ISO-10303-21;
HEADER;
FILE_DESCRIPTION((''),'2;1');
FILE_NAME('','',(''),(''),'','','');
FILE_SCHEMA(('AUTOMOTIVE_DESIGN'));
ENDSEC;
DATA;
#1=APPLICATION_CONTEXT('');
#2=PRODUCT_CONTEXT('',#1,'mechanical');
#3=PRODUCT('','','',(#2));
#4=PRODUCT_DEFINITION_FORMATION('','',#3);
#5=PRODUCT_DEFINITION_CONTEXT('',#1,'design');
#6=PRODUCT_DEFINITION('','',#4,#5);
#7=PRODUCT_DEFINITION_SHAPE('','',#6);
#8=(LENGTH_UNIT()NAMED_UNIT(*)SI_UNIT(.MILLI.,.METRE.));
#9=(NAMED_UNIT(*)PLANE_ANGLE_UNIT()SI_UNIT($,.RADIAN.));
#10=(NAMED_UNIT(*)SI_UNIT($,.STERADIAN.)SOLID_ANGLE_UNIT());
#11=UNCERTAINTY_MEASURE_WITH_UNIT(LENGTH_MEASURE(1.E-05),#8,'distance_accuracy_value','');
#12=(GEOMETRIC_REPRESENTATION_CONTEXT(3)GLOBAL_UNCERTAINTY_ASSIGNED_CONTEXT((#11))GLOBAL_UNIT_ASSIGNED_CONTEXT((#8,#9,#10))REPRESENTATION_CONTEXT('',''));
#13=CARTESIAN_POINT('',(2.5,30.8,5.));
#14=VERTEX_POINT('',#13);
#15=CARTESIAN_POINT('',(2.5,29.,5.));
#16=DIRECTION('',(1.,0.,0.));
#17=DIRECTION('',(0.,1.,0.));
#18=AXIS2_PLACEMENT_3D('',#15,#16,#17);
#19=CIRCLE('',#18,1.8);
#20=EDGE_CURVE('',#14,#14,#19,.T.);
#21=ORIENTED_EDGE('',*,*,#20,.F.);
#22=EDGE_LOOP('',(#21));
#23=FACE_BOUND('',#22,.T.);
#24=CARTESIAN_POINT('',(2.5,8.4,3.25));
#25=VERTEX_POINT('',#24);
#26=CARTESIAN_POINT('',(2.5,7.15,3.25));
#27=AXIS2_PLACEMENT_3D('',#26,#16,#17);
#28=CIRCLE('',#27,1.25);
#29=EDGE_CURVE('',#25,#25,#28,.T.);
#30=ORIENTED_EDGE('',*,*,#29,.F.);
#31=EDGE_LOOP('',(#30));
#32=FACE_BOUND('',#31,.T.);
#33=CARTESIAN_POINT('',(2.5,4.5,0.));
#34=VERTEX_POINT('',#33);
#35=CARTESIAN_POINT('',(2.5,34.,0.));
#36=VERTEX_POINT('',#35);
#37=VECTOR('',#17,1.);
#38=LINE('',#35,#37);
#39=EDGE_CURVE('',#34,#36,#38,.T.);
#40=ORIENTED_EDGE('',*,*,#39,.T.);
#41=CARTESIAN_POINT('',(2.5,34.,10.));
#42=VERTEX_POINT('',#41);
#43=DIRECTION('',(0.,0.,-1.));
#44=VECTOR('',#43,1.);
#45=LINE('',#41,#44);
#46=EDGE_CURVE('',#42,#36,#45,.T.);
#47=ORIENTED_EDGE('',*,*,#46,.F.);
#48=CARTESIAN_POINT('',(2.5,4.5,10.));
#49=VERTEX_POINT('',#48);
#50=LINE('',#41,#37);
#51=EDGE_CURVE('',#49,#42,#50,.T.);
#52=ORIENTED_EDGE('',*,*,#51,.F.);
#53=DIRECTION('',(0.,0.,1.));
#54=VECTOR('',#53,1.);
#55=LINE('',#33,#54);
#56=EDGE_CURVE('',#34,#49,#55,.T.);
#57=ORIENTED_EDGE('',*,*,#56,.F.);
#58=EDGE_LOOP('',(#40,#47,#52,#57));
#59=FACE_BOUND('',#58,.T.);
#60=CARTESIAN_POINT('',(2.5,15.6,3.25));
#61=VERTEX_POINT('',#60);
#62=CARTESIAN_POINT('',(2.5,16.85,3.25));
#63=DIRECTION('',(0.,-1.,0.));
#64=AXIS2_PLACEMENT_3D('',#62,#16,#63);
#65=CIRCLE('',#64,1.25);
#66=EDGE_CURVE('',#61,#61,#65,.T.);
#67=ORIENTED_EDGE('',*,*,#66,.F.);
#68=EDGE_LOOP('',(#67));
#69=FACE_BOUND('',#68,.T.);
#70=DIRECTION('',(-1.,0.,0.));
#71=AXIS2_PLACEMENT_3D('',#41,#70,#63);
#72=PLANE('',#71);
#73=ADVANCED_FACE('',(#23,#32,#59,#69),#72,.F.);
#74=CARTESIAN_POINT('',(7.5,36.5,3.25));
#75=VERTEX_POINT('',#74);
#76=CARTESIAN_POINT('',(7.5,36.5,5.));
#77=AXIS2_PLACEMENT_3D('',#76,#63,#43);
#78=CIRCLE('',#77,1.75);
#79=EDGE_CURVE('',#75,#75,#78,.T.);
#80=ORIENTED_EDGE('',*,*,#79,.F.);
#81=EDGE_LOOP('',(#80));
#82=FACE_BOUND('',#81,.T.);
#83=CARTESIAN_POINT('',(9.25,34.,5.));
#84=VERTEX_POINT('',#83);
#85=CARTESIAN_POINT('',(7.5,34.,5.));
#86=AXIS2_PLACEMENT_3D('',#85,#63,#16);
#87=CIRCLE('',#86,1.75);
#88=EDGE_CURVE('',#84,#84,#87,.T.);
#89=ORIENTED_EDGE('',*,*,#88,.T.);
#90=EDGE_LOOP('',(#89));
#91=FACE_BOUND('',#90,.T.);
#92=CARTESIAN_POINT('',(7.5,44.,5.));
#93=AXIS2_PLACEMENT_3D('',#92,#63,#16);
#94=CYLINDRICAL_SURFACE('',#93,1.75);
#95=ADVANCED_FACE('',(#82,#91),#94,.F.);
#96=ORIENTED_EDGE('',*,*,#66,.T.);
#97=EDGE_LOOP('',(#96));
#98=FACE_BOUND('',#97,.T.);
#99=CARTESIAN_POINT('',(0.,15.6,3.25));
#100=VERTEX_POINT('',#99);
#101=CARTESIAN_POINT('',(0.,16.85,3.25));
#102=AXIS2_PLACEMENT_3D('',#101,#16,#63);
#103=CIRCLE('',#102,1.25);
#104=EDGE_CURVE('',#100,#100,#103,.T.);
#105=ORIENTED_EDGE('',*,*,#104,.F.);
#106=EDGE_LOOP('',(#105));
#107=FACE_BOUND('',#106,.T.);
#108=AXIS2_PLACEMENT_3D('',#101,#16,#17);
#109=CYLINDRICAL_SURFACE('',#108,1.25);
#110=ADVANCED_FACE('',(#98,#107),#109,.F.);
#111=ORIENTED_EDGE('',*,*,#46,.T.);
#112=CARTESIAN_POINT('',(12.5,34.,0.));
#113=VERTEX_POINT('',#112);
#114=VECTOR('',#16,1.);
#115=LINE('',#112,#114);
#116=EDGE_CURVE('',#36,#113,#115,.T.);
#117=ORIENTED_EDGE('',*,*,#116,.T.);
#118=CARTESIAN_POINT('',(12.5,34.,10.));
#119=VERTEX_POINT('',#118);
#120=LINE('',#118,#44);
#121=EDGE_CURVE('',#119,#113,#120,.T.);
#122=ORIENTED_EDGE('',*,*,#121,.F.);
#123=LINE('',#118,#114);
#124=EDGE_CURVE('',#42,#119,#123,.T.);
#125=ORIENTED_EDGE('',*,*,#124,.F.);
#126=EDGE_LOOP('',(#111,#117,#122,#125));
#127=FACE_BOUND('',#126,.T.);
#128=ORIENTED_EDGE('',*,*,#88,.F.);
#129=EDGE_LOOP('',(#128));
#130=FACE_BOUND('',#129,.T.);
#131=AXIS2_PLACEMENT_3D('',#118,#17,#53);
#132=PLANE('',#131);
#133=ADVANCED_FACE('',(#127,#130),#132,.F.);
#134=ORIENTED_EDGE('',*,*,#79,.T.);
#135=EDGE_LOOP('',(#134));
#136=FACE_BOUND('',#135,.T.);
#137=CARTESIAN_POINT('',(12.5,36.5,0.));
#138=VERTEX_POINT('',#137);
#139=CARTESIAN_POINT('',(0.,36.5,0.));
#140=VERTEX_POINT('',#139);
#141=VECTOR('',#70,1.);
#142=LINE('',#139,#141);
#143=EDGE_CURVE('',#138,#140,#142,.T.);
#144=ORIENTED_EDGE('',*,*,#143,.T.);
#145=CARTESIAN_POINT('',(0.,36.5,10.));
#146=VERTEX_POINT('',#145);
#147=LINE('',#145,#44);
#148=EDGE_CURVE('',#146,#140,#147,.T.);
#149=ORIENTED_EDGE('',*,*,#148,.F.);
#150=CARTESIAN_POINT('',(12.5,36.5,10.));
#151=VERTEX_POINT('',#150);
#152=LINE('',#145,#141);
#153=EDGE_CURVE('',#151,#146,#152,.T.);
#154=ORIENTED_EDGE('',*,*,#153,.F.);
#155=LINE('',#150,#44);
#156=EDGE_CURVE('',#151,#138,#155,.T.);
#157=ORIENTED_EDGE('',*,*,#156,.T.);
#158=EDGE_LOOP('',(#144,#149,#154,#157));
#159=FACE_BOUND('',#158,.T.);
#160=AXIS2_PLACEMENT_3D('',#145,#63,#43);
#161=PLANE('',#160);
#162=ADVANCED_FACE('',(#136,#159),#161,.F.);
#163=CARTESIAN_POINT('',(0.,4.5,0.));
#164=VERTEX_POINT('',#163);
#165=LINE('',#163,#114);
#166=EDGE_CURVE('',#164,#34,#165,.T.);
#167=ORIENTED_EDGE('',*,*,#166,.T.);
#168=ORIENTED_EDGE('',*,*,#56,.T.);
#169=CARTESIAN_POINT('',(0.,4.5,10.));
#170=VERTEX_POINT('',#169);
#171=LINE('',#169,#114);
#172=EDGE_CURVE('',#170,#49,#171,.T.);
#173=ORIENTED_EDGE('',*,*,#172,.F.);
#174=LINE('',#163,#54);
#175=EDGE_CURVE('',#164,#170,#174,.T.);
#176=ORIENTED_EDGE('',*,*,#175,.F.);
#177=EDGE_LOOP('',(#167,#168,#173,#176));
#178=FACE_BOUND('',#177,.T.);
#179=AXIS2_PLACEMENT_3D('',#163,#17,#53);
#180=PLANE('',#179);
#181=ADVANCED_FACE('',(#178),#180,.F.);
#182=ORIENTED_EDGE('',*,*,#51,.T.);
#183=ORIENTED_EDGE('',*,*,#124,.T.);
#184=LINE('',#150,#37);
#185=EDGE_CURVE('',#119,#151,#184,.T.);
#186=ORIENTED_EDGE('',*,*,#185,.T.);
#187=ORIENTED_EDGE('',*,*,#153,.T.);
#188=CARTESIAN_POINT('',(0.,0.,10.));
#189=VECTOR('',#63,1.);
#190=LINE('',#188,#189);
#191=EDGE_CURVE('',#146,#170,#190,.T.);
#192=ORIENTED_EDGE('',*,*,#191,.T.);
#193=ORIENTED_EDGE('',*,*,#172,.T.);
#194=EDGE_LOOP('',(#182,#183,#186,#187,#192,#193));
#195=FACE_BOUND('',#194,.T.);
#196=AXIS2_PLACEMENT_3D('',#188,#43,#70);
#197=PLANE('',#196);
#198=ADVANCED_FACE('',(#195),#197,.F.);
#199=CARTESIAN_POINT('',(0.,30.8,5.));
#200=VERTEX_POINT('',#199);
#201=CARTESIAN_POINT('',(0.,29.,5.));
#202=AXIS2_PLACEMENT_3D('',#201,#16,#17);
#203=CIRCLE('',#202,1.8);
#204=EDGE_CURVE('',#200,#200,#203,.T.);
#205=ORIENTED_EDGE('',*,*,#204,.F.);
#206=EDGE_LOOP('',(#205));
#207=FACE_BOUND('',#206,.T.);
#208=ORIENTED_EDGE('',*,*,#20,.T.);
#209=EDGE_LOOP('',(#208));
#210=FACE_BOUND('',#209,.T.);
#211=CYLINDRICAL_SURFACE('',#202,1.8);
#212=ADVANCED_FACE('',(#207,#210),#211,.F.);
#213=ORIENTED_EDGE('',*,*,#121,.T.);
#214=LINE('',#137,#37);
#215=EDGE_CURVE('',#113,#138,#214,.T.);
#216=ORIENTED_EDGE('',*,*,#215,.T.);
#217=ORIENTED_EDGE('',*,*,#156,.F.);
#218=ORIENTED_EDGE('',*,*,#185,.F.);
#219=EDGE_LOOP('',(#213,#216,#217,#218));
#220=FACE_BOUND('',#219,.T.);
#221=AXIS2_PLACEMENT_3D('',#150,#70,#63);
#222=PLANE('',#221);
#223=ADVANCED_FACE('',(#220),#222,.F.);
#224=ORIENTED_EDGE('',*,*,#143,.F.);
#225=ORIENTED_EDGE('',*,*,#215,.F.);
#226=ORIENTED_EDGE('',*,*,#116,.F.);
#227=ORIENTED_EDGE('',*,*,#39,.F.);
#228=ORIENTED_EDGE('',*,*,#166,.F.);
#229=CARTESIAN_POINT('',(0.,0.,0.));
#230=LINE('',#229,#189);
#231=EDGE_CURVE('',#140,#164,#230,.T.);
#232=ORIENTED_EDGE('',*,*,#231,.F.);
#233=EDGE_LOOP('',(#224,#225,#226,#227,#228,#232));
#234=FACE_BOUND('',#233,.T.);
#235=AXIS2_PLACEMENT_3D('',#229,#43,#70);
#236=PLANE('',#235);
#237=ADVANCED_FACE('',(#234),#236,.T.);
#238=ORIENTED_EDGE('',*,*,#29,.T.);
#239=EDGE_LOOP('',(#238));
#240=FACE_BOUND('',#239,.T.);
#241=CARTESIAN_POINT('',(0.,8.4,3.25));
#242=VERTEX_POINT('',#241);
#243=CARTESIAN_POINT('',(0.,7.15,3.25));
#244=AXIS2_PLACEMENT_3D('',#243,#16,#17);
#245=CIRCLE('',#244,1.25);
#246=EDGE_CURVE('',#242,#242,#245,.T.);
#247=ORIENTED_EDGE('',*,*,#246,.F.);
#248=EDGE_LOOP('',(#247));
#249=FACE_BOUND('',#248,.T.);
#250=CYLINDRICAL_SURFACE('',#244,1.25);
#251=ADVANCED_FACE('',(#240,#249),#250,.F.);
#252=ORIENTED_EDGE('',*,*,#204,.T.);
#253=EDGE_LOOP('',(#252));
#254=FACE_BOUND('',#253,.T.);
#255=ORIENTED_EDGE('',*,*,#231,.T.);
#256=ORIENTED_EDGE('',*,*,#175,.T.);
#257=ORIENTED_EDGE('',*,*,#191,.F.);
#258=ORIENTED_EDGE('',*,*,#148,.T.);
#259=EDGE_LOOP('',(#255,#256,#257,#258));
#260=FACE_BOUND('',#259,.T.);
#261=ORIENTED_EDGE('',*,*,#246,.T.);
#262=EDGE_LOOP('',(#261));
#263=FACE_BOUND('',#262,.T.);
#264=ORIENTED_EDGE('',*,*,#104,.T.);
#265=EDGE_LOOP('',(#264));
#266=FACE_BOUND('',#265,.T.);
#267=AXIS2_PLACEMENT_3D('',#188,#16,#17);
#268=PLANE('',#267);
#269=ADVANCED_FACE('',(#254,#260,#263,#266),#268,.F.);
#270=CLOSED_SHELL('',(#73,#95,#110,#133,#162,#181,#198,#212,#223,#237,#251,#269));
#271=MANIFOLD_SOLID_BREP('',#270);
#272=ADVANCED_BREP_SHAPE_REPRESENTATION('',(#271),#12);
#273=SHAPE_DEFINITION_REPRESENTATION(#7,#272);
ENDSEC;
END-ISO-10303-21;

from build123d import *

# Parameters (mm, degrees)
BOSS_EXTRUDE1_DEPTH = 10
SKETCH2_R           = 1.75
CUT_EXTRUDE1_DEPTH  = 10
SKETCH3_R           = 1.25
SKETCH3_R_2         = 1.8
CUT_EXTRUDE2_DEPTH  = 40.143965052
SKETCH4_W           = 13.022509218
SKETCH4_H           = 4.5
CUT_EXTRUDE3_DEPTH  = 40.143965052


with BuildPart() as part:
    # Sketch1 → Boss-Extrude1 (new body)
    with BuildSketch(Plane.XY):
        Polygon((0, 0), (0, 36.5), (12.5, 36.5), (12.5, 34), (2.5, 34), (2.5, 0), align=None)
    extrude(amount=BOSS_EXTRUDE1_DEPTH)

    # Sketch2 → Cut-Extrude1 (cut)
    with BuildSketch(Plane.XZ.offset(-34)):
        with Locations((7.5, 5)):
            Circle(SKETCH2_R)
    extrude(amount=-CUT_EXTRUDE1_DEPTH, mode=Mode.SUBTRACT)

    # Sketch3 → Cut-Extrude2 (cut, through all)
    with BuildSketch(Plane(origin=(2.5, 0, 0), x_dir=(0, 0, -1), z_dir=(1, 0, 0))):
        with Locations(Location((-3.25, 7.15, 0), (0, 0, 90))):
            Circle(SKETCH3_R)
        with Locations(Location((-3.25, 16.85, 0), (0, 0, 270))):
            Circle(SKETCH3_R)
        with Locations(Location((-5, 29, 0), (0, 0, 90))):
            Circle(SKETCH3_R_2)
    extrude(amount=-CUT_EXTRUDE2_DEPTH, mode=Mode.SUBTRACT)

    # Sketch4 → Cut-Extrude3 (cut, through all)
    with BuildSketch(Plane(origin=(2.5, 0, 0), x_dir=(0, 0, -1), z_dir=(1, 0, 0))):
        with Locations((-6.511254609, 2.25)):
            Rectangle(SKETCH4_W, SKETCH4_H)
    extrude(amount=-CUT_EXTRUDE3_DEPTH, mode=Mode.SUBTRACT)


solid = part.part
